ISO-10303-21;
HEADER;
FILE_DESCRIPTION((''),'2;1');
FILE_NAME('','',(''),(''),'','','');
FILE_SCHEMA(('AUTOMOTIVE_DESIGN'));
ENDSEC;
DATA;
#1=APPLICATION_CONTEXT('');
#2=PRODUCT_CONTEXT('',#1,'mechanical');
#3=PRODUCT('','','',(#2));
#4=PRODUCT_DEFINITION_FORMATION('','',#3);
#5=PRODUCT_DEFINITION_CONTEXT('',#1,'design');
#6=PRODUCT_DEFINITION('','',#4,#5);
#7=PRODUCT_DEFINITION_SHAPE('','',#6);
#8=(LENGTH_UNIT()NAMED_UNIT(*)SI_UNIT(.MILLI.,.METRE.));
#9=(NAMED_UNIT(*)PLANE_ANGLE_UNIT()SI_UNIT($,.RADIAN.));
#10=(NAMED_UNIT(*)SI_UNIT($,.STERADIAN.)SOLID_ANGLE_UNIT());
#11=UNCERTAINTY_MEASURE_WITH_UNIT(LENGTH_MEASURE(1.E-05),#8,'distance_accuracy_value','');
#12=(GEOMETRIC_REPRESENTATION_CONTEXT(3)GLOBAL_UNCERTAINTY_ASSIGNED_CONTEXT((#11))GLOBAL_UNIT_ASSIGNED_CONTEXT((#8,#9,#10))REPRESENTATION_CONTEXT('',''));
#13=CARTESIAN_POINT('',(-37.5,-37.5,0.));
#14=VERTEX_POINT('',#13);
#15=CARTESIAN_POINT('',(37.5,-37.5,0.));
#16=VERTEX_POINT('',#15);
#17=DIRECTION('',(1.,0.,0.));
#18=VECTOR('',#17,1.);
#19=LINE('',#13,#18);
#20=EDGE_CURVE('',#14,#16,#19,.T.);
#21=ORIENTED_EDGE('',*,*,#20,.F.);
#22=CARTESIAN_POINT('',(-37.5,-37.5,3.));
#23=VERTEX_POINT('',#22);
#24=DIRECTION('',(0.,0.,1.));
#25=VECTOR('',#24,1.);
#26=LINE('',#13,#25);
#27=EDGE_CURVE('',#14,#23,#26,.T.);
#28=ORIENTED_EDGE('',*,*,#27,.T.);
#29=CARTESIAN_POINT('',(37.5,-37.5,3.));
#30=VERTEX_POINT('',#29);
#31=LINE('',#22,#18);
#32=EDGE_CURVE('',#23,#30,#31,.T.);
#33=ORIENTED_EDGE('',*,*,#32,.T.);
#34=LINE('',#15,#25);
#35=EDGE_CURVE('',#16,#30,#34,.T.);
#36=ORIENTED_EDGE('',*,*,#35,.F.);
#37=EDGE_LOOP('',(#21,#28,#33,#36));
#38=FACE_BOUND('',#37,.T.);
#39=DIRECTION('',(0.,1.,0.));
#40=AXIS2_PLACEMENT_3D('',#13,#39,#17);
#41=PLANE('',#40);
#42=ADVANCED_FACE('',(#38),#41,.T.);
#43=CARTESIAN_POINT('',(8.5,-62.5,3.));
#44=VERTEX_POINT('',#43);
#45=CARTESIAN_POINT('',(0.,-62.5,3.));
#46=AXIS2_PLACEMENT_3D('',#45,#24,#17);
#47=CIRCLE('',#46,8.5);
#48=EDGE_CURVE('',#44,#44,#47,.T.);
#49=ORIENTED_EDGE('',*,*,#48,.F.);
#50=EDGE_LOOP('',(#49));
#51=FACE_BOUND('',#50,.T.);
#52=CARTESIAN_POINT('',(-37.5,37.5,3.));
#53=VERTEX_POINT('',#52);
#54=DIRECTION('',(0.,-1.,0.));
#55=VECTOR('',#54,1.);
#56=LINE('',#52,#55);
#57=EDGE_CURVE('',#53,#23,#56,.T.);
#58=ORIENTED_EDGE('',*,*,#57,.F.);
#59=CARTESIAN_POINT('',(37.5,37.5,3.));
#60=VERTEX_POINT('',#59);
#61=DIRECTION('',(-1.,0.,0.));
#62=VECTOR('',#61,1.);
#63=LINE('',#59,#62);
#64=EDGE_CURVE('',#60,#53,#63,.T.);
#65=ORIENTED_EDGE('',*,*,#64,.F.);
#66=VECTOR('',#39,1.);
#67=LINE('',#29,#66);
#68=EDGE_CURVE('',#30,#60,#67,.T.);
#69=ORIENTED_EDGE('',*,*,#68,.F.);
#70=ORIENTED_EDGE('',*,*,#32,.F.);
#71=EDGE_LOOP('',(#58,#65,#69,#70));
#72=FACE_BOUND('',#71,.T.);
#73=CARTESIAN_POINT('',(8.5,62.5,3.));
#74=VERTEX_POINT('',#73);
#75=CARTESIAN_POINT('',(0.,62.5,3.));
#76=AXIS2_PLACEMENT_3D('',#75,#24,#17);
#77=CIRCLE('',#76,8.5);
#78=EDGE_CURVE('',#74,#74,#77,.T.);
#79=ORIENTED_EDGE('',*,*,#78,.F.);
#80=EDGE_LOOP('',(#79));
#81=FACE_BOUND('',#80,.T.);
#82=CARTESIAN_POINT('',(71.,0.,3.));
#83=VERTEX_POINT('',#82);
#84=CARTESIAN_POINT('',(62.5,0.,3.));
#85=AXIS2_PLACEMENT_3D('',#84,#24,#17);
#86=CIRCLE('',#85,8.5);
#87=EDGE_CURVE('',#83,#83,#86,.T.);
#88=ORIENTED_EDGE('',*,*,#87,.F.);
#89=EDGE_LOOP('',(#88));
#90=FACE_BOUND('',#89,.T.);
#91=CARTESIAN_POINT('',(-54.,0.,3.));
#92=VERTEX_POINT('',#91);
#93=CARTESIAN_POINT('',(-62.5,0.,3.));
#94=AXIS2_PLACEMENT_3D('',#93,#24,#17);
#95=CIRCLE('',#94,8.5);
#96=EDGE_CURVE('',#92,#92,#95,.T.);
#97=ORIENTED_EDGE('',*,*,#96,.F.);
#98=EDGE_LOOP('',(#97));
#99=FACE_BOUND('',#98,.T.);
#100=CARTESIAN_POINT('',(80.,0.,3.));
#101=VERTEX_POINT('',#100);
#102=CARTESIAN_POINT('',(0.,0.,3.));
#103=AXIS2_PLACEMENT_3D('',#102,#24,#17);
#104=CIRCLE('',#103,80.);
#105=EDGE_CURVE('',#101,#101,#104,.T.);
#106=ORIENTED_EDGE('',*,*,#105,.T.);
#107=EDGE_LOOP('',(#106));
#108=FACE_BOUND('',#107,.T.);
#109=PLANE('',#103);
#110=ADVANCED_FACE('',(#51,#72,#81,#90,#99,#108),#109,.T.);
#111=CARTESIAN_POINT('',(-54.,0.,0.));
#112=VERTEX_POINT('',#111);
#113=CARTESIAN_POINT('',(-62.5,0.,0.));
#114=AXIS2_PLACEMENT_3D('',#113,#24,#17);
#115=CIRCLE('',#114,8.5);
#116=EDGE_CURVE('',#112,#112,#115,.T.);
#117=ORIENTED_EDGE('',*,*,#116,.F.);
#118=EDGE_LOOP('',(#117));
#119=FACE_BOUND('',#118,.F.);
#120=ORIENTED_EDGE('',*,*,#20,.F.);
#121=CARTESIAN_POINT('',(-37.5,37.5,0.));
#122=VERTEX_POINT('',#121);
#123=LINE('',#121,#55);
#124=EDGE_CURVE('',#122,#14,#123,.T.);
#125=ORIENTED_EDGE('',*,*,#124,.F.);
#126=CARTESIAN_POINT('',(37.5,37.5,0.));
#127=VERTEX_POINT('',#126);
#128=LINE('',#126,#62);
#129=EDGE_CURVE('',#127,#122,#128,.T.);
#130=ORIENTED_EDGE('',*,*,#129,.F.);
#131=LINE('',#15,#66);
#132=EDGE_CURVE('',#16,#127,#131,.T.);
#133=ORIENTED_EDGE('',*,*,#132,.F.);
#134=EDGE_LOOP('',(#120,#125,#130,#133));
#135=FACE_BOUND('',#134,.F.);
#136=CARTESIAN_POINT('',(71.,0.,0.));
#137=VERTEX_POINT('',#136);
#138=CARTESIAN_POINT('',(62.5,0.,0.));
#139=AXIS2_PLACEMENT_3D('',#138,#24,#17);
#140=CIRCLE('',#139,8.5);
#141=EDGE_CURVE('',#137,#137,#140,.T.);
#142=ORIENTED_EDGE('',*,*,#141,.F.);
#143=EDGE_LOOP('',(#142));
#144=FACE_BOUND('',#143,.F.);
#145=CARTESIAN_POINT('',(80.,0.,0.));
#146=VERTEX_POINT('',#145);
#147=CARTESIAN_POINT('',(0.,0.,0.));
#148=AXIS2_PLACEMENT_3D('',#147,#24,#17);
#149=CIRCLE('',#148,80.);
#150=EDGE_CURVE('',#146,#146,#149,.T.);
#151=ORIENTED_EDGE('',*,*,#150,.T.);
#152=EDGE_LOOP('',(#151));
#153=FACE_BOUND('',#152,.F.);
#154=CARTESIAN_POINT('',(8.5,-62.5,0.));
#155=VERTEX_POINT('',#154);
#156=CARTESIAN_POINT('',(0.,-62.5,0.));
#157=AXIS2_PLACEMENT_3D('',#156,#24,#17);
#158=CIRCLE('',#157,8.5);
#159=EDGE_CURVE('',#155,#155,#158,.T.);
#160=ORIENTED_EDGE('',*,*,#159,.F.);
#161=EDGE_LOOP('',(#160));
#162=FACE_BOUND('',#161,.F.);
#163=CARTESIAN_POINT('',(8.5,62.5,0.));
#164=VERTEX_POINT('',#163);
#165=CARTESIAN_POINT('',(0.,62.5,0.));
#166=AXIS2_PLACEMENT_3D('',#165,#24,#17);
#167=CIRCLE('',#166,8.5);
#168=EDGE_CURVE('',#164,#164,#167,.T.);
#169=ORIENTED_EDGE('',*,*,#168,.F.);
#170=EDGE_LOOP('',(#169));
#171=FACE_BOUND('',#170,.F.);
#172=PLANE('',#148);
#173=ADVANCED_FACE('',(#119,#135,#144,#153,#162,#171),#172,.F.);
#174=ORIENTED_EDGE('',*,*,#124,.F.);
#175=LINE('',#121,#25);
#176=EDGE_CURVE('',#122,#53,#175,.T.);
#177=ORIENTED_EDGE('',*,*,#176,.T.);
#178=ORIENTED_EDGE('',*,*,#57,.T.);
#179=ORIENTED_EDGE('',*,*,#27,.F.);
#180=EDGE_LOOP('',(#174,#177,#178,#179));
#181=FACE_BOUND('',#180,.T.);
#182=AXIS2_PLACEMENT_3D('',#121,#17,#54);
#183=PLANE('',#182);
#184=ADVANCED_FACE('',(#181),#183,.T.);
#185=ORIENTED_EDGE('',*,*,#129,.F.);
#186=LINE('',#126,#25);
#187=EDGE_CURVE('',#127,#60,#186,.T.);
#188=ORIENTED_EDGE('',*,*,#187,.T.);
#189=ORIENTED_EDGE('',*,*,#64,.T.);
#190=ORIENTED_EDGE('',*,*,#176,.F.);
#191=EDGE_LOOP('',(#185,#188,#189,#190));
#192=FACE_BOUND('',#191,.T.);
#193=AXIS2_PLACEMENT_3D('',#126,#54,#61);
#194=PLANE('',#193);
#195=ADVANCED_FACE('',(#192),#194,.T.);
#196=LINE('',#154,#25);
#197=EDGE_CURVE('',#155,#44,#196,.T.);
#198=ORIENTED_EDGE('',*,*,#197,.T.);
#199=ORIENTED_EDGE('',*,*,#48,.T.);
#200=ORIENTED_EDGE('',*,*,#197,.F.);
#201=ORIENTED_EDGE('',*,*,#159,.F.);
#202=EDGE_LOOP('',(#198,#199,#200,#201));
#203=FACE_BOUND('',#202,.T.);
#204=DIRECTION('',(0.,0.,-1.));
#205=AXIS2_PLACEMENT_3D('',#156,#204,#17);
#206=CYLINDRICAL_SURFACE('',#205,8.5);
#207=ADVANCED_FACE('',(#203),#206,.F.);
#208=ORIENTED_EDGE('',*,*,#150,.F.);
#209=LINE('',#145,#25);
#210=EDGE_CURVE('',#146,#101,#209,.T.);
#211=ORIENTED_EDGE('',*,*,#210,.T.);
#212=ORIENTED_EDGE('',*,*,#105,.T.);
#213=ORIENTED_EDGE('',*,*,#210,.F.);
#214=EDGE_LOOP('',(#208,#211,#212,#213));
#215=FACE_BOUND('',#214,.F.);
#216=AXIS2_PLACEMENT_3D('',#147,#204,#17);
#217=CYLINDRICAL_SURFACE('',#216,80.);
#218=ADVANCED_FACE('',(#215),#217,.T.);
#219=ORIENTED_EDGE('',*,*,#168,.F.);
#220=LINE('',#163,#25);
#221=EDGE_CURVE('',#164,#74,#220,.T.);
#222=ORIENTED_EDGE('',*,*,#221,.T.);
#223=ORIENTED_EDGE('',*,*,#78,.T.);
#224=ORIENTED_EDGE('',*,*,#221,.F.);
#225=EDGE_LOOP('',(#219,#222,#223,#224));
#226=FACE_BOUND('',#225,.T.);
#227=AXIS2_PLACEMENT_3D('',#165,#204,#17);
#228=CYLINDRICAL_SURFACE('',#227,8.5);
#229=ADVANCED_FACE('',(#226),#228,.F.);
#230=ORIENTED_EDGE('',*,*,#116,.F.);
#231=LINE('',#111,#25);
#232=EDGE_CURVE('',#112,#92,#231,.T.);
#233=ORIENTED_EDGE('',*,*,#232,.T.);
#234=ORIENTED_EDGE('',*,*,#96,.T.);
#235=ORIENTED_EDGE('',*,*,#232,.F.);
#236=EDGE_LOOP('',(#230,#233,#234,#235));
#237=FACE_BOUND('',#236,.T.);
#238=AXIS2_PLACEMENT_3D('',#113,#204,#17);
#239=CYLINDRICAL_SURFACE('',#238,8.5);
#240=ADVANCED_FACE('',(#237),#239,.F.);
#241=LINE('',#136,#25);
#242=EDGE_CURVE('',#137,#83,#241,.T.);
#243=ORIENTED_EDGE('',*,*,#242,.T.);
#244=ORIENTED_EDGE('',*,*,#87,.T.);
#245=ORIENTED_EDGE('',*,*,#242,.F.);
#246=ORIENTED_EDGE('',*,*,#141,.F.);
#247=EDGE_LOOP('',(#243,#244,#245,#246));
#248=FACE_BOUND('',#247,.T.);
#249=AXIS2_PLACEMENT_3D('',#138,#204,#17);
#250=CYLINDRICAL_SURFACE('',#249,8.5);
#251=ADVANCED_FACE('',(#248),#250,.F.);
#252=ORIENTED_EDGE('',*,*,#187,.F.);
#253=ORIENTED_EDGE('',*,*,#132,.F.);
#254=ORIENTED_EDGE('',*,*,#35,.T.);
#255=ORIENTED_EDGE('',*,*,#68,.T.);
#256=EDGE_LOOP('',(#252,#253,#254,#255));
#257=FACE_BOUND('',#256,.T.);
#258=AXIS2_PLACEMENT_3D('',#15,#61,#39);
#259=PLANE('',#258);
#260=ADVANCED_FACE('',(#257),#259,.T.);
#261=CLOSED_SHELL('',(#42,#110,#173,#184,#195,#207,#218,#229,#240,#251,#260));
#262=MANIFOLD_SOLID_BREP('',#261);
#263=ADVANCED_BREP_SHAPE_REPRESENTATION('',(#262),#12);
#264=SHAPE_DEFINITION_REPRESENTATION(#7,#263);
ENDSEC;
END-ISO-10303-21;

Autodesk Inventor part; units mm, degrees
ref_plane "YZ Plane" through (0, 0, 0) normal (1, 0, 0) x (0, 1, 0)
ref_plane "XZ Plane" through (0, 0, 0) normal (0, 1, 0) x (-1, 0, 0)
ref_plane "XY Plane" through (0, 0, 0) normal (0, 0, 1) x (1, 0, 0)
sketch "Sketch1" plane through (0, 0, 0) normal (0, 0, 1) x (1, 0, 0)
  circle A0 centre (0, 0) radius 80
  line L0 (37.5, 37.5) -> (-37.5, 37.5)
  line L1 (-37.5, 37.5) -> (-37.5, -37.5)
  line L2 (-37.5, -37.5) -> (37.5, -37.5)
  line L3 (37.5, -37.5) -> (37.5, 37.5)
  line L4 (37.5, 37.5) -> (-37.5, -37.5) construction
  line L5 (-37.5, 37.5) -> (37.5, -37.5) construction
  circle A1 centre (0, 0) radius 62.5 construction
  circle A2 centre (-62.5, 0) radius 8.5
  circle A3 centre (0, -62.5) radius 8.5
  circle A4 centre (62.5, 0) radius 8.5
  circle A5 centre (0, 62.5) radius 8.5
  dimension "d171" = 125
  dimension "d157" = 160
  dimension "d158" = 75
  dimension "d176" = 17
  dimension "d179" = 360
extrude "Plate5" add sketch "Sketch1" along normal blind 3
properties part number "PRS-1651 FDS MAIN  FLANGE_CPY" material "Stainless Steel"
